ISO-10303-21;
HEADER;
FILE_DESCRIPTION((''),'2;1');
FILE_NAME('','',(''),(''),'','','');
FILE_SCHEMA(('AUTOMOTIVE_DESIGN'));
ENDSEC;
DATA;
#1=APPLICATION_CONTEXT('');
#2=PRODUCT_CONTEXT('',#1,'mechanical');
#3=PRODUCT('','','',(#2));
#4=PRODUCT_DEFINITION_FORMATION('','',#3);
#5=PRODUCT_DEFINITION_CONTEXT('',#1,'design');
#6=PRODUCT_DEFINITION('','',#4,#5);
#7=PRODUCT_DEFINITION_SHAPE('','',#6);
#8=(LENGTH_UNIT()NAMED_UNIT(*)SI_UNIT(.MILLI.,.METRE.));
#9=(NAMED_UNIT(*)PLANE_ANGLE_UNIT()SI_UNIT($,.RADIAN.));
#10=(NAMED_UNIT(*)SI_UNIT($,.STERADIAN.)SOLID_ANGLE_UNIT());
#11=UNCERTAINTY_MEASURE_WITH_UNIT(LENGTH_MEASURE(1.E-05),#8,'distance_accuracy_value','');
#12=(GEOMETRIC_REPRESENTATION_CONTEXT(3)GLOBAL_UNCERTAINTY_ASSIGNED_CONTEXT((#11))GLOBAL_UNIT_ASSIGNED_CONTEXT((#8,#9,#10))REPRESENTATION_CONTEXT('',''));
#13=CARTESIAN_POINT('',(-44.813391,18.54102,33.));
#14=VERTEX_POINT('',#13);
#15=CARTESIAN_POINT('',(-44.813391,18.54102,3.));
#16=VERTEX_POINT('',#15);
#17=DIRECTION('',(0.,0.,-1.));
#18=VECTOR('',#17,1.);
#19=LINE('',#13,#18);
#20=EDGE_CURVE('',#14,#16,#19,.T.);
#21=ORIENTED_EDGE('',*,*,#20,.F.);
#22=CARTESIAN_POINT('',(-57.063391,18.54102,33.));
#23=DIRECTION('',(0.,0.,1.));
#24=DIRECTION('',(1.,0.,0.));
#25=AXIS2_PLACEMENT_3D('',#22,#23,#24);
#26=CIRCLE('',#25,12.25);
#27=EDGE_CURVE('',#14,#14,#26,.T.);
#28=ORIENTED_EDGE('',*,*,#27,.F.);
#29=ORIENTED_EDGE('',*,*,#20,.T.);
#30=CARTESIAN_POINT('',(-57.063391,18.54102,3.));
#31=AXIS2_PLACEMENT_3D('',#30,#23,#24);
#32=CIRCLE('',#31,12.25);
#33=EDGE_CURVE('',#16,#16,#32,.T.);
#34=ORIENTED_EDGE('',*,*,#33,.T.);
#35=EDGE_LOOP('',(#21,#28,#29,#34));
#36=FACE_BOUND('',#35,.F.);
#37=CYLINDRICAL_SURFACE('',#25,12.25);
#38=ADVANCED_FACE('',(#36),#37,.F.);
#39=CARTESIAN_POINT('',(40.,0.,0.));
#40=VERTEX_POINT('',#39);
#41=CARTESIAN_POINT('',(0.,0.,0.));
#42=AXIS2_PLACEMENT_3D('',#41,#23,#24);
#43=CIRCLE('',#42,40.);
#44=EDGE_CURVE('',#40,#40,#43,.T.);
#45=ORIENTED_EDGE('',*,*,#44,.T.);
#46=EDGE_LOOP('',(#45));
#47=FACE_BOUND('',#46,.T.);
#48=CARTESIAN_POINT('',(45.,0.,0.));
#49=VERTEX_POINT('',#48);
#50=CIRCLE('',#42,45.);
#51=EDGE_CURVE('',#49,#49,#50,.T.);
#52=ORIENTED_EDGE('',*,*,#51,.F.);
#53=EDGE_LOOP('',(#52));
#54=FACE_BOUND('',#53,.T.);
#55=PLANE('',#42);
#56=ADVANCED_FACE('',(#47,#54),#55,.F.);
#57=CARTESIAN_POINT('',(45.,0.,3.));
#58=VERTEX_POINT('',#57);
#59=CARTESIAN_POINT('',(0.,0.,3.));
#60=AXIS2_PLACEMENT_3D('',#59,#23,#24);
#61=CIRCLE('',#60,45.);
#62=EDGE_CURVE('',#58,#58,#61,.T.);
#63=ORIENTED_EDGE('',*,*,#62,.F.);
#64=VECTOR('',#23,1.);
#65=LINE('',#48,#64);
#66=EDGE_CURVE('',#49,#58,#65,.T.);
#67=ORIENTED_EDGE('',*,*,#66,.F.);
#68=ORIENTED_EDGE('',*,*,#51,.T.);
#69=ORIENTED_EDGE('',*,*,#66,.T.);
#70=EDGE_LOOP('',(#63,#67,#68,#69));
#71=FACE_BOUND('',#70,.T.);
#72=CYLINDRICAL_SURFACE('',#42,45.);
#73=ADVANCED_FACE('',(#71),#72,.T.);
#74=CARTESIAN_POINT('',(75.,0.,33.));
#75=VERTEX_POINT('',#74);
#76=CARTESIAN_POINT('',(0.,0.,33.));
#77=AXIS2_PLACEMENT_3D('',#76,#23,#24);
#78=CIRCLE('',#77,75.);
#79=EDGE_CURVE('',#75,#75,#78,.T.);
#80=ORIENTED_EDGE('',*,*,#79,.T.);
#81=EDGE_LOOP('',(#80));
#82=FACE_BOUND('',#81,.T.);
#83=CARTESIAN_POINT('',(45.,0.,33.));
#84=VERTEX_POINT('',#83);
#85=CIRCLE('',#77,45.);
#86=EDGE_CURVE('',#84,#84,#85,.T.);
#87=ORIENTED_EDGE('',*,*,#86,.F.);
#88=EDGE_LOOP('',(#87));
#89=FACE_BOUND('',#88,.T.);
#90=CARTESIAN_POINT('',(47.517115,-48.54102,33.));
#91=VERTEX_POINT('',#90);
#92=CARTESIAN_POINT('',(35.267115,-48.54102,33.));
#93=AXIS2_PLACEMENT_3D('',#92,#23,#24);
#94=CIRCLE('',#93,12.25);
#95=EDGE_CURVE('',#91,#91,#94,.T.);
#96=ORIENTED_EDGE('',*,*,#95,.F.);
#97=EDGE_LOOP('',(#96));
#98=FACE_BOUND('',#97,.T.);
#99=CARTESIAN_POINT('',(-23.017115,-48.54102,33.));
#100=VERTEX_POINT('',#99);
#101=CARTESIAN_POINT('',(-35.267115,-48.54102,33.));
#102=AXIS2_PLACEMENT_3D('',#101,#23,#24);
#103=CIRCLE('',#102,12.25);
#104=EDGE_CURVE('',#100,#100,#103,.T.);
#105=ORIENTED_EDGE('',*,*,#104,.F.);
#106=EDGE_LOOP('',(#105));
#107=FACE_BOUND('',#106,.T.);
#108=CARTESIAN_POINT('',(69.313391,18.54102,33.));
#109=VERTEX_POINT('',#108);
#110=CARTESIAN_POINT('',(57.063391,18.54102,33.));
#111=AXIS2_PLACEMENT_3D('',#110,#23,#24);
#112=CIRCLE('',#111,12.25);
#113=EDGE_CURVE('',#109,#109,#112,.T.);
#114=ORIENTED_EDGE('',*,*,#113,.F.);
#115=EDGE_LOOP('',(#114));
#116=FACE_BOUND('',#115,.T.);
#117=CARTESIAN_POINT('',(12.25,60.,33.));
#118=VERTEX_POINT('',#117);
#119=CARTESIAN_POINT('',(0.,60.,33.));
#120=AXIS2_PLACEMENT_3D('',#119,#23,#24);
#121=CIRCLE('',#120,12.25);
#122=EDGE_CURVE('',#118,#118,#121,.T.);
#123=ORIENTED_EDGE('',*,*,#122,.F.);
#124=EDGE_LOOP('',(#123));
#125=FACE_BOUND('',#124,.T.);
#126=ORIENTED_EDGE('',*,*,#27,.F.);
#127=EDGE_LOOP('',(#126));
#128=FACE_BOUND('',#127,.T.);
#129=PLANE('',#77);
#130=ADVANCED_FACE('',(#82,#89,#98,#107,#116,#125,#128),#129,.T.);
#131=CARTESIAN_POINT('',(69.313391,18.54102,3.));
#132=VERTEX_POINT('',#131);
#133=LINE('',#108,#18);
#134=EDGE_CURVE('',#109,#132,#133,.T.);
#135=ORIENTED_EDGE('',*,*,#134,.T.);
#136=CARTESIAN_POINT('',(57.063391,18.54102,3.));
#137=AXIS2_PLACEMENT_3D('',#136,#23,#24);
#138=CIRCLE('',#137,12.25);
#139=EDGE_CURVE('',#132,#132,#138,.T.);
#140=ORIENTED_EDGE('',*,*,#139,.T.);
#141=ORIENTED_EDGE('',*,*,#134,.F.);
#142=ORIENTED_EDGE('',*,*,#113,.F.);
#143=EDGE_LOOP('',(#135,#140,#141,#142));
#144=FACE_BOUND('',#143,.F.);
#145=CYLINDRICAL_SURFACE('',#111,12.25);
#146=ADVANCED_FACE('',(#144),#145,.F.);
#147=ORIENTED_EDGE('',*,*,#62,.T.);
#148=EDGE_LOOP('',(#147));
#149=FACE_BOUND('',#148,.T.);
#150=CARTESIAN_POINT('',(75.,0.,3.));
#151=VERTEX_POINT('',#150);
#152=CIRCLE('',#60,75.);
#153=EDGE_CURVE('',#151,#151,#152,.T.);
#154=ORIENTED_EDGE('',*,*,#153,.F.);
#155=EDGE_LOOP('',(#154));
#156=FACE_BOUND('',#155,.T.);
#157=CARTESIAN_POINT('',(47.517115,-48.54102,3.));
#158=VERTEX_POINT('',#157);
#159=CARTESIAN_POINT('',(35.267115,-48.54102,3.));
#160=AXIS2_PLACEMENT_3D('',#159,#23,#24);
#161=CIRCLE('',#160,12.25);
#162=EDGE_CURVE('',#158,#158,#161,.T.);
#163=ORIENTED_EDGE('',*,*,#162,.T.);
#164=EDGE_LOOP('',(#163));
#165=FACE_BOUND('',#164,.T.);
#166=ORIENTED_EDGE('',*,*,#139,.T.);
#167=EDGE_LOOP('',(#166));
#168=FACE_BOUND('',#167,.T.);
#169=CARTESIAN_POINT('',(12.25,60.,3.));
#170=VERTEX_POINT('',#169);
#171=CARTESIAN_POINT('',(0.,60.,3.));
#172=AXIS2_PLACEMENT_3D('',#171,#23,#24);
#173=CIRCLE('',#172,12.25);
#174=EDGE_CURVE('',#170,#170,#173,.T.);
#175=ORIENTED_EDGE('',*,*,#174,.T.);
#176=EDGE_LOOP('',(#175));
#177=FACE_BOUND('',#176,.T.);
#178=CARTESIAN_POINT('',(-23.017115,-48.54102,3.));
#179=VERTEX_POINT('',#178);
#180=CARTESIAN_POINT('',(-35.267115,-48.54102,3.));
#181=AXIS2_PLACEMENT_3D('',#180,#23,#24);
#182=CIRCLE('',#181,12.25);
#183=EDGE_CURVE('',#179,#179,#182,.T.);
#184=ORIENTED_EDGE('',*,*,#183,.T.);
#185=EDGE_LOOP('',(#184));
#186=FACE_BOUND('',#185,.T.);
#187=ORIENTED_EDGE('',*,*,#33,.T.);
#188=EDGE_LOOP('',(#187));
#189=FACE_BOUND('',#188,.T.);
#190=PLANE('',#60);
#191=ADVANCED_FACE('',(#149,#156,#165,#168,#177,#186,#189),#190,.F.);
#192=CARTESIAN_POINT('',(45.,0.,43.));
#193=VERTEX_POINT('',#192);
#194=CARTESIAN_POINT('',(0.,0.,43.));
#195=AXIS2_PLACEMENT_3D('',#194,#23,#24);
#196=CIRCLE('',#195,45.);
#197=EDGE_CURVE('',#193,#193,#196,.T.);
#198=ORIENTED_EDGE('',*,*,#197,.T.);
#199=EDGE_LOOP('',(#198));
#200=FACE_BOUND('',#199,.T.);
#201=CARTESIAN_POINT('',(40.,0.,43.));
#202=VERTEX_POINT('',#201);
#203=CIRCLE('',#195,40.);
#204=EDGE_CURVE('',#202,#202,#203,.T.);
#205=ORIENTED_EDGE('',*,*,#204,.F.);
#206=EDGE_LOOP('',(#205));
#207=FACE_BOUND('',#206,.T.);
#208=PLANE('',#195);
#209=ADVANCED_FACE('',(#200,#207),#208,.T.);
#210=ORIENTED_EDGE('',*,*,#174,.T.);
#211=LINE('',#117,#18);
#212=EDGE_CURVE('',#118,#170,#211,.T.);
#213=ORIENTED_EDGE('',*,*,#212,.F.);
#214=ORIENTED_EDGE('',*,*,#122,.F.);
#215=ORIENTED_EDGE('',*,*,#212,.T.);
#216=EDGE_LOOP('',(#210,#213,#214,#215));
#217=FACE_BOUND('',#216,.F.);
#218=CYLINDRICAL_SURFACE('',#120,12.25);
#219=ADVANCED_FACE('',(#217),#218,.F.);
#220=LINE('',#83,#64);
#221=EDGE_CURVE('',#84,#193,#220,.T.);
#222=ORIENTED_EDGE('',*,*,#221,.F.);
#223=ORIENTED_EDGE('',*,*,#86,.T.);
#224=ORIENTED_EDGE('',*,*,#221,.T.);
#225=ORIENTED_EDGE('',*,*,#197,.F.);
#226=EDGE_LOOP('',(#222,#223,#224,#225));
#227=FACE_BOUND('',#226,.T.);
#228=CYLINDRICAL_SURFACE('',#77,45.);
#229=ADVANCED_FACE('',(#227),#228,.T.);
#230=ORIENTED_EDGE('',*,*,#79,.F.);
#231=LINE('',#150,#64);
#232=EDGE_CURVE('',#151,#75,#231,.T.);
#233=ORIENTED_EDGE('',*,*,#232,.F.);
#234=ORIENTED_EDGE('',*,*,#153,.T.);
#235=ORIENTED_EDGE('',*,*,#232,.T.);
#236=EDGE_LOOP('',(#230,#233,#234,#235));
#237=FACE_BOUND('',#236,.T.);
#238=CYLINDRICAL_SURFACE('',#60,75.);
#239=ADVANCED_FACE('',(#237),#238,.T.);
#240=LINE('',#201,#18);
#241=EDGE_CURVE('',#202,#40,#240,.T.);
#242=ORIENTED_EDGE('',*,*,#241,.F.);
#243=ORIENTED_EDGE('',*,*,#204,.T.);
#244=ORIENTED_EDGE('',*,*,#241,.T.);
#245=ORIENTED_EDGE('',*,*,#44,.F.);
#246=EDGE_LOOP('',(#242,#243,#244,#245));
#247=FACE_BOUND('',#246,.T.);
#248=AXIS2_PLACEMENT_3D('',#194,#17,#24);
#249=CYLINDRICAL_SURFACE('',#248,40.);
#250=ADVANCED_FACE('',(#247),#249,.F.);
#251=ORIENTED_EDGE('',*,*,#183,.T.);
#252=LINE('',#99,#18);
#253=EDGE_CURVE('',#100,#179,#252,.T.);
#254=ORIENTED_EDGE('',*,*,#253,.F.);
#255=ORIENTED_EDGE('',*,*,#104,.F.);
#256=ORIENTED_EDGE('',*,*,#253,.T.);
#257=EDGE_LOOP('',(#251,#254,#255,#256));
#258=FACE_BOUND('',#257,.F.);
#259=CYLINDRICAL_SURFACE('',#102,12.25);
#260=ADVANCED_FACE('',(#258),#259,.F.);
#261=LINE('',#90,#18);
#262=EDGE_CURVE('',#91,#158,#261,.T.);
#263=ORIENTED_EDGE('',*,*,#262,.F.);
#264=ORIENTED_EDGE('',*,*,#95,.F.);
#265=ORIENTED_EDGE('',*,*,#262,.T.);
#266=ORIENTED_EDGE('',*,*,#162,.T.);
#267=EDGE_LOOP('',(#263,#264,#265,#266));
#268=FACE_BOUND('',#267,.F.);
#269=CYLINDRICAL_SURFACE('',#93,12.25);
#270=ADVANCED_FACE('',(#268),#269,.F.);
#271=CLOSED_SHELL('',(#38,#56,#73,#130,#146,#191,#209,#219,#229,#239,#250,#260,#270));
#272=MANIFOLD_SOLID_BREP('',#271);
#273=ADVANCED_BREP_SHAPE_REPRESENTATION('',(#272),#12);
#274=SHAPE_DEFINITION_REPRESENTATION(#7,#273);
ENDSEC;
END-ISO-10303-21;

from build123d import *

# Parameters (mm, degrees)
F2_R     = 12.25
F3_DEPTH = 30


with BuildPart() as f1:
    # F0 (on Front) → F1 (revolve)
    with BuildSketch(Plane.XZ):
        Polygon((40, 43), (40, 0), (45, 0), (45, 3), (75, 3), (75, 33), (45, 33), (45, 43), align=None)
    revolve(axis=Axis((0, 0, 39.782755), (0, 0, 1)))

    # F2 (on face) → F3 (cut, through all)
    with BuildSketch(Plane.XY.offset(33)):
        with Locations((0, 60)):
            Circle(F2_R)
        with Locations((-57.063391, 18.54102)):
            Circle(F2_R)
        with Locations((-35.267115, -48.54102)):
            Circle(F2_R)
        with Locations((35.267115, -48.54102)):
            Circle(F2_R)
        with Locations((57.063391, 18.54102)):
            Circle(F2_R)
    extrude(amount=-F3_DEPTH, mode=Mode.SUBTRACT)


solid = f1.part
